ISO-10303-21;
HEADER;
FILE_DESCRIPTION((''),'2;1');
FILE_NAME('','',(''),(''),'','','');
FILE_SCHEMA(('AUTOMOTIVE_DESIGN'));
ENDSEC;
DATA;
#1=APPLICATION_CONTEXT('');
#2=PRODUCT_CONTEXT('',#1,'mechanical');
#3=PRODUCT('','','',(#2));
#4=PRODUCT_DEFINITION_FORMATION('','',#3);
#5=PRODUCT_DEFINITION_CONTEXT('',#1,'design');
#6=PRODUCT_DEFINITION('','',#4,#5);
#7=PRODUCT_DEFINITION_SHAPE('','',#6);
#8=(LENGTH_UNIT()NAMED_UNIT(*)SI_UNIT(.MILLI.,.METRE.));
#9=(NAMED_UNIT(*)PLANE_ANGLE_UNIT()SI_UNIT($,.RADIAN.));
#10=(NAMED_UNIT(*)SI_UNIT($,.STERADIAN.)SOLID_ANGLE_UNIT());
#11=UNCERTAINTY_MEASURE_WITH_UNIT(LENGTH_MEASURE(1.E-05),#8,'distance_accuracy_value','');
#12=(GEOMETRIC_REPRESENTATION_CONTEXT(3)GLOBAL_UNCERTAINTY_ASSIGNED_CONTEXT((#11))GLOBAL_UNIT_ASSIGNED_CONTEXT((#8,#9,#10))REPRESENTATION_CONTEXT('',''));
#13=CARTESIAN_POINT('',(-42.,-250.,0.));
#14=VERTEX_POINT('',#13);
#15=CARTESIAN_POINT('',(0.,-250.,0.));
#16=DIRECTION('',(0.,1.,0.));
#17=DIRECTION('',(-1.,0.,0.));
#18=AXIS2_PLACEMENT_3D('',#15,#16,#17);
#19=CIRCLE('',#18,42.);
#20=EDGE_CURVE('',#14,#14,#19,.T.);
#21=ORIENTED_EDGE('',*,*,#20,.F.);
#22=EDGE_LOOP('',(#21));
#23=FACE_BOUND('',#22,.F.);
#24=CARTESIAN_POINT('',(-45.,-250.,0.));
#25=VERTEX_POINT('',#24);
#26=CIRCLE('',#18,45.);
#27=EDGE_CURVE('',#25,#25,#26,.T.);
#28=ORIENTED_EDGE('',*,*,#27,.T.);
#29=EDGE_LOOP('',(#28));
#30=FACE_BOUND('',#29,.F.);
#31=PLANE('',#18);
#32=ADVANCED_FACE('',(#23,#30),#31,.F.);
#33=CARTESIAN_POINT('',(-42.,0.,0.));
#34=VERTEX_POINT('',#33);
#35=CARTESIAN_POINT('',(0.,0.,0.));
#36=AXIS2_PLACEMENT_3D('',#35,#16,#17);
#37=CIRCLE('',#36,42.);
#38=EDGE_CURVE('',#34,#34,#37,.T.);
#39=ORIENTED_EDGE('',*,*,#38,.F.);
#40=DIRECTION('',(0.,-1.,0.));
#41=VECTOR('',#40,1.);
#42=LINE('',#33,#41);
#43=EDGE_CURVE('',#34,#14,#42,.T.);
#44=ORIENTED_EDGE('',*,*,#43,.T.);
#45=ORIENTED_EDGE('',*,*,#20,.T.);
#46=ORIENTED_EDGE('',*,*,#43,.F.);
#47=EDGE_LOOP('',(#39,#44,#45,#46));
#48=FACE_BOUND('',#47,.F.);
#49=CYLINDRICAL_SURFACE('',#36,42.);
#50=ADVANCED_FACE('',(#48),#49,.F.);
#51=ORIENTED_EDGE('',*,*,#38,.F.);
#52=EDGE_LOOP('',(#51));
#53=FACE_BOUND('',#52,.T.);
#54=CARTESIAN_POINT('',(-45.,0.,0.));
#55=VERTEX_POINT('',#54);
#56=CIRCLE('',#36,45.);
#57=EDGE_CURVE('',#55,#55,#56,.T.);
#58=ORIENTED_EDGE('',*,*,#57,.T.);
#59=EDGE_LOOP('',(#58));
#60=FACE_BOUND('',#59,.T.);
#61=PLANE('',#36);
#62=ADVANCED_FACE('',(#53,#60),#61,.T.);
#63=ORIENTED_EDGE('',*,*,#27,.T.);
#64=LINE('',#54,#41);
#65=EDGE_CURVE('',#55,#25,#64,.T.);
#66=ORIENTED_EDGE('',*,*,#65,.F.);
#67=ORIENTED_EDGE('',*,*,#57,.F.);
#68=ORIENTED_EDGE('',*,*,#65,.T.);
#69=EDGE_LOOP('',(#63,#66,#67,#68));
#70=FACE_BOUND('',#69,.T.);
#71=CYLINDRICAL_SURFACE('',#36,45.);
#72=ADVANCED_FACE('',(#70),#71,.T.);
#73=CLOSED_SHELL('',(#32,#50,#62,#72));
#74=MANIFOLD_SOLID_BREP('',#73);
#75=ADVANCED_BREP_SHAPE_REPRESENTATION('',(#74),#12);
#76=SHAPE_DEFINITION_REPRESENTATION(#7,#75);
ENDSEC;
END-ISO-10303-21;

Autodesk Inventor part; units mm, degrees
ref_plane "YZ Plane" through (0, 0, 0) normal (1, 0, 0) x (0, 1, 0)
ref_plane "XZ Plane" through (0, 0, 0) normal (0, 1, 0) x (-1, 0, 0)
ref_plane "XY Plane" through (0, 0, 0) normal (0, 0, 1) x (1, 0, 0)
sketch "Sketch1" plane through (0, 0, 0) normal (0, 1, 0) x (-1, 0, 0)
  circle A0 centre (0, 0) radius 45
  circle A1 centre (0, 0) radius 42
  dimension "d0" = 90
  dimension "d1" = 3
extrude "Extrusion1" add sketch "Sketch1" against normal blind 250
properties part number "PRS 9613 FDS tube 3_D1200"
